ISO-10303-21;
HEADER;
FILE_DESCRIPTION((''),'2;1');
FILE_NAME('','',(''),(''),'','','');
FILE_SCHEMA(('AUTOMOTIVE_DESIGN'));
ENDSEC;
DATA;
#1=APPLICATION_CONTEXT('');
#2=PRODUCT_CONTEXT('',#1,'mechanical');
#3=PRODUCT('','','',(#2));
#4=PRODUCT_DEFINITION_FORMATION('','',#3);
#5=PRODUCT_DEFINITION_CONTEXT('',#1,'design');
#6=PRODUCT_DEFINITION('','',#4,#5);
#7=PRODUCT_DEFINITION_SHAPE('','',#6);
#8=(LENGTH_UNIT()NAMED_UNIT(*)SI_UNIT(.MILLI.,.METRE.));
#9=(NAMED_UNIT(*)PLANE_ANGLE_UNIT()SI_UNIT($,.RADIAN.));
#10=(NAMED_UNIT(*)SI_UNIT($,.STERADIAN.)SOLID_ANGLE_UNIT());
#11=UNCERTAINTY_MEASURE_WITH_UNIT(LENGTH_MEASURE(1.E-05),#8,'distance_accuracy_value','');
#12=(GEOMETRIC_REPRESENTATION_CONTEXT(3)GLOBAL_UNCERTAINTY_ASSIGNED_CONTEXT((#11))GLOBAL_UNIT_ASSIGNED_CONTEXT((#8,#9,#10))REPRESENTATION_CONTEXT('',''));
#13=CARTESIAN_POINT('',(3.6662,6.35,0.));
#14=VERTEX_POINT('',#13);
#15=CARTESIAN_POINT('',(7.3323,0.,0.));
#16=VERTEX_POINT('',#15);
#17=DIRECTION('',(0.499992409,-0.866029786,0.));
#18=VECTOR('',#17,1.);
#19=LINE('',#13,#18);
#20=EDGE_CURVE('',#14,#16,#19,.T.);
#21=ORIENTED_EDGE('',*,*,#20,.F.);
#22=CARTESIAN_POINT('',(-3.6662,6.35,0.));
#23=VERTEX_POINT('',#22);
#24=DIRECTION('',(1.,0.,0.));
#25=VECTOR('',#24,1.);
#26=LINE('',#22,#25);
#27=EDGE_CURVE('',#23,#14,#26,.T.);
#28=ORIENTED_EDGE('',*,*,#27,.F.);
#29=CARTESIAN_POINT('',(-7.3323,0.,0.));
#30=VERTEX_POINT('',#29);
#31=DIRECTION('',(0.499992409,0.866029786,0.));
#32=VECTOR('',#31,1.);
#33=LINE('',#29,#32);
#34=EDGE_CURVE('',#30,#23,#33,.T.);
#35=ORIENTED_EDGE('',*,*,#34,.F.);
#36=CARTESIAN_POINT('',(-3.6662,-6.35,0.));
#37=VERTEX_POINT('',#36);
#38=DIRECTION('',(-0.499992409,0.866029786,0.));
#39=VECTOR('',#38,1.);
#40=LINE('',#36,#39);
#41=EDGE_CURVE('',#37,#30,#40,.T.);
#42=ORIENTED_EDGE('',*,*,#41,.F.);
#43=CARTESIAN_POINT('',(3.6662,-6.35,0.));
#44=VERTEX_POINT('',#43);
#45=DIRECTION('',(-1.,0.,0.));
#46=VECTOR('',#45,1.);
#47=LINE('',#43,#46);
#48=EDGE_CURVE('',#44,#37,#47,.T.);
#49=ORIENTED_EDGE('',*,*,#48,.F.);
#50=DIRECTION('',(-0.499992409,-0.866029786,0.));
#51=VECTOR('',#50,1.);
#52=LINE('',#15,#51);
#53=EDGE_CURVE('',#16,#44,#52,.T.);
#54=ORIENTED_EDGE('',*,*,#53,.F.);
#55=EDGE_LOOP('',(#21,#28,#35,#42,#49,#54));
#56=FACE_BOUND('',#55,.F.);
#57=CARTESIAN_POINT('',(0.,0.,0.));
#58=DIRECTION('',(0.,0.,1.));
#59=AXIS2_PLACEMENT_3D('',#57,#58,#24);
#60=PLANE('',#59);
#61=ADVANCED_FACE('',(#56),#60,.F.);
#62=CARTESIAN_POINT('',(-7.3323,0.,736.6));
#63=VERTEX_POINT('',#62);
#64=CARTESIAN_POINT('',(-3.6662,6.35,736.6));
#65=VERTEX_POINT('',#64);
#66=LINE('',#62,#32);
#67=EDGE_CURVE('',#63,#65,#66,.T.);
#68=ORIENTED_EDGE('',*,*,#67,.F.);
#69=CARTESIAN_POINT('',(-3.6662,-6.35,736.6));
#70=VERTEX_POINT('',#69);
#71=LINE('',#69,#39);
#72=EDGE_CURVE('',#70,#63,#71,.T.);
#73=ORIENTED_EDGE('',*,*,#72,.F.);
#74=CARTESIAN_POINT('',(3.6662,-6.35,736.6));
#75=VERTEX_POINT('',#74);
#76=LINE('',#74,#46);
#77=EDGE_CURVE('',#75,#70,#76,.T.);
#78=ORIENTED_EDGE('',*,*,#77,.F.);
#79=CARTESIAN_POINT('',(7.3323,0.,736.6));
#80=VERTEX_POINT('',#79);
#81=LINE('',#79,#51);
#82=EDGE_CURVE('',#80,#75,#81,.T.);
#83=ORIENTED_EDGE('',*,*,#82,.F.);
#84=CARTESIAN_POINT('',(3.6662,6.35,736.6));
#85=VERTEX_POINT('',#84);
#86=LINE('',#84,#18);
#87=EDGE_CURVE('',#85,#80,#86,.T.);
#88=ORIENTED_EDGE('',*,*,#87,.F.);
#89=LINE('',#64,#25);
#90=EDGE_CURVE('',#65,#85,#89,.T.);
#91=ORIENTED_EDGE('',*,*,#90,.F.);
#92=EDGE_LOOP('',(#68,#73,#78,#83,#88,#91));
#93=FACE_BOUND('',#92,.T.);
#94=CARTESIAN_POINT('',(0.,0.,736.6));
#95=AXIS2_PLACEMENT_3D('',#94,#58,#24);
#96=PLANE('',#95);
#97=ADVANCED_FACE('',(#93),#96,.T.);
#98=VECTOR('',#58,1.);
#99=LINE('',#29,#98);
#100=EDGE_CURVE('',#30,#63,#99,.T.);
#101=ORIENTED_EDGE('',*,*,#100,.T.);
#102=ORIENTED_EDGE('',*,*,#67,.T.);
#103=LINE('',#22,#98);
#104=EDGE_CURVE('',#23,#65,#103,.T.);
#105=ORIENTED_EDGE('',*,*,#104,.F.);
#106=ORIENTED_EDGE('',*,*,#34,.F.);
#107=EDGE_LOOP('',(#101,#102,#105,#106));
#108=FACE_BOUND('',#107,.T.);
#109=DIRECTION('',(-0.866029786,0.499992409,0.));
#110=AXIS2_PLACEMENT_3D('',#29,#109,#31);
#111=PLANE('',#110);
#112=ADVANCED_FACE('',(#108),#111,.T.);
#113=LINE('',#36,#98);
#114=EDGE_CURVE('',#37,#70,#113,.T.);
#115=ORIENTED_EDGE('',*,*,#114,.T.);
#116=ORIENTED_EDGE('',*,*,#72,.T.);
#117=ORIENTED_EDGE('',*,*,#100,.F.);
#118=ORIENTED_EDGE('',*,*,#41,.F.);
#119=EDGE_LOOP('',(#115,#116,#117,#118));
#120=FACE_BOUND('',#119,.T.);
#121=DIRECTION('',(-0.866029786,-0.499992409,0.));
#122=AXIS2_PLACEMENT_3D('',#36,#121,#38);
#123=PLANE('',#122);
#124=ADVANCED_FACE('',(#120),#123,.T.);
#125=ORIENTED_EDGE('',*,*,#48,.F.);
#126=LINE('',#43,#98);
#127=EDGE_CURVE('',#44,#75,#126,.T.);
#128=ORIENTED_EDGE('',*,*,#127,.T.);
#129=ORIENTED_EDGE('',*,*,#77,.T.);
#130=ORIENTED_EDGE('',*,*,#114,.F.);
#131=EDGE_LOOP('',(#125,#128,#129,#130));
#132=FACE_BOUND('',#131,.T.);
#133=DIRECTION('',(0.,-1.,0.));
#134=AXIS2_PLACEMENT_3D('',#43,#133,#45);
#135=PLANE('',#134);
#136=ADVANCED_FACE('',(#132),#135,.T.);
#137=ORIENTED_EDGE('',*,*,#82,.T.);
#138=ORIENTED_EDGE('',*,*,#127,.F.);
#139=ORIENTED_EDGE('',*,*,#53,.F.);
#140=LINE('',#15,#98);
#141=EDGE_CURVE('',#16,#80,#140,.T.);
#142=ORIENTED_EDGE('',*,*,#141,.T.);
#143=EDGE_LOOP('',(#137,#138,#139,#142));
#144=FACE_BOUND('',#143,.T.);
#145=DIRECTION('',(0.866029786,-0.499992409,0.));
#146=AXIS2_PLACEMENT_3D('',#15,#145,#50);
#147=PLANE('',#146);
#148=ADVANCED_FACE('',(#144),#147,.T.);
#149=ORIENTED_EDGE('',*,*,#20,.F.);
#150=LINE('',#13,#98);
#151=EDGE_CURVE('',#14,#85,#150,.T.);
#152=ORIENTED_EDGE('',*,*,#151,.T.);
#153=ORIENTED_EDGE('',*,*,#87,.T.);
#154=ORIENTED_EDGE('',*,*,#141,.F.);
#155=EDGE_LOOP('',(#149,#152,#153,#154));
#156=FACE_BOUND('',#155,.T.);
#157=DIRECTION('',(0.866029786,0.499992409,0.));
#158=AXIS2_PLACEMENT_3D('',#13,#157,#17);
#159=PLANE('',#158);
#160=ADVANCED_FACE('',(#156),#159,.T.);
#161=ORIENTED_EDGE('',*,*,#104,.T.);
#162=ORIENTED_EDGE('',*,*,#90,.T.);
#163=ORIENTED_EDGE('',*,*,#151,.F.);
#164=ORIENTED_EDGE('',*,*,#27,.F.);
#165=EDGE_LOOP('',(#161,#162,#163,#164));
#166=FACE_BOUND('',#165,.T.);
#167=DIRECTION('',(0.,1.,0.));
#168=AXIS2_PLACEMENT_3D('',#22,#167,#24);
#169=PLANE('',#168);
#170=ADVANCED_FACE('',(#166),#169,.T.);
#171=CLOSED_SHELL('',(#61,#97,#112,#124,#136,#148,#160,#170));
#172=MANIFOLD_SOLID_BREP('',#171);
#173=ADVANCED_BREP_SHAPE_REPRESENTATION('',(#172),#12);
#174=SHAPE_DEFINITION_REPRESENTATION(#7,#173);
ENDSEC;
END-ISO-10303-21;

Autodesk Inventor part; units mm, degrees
ref_plane "YZ Plane" through (0, 0, 0) normal (1, 0, 0) x (0, 1, 0)
ref_plane "XZ Plane" through (0, 0, 0) normal (0, 1, 0) x (-1, 0, 0)
ref_plane "XY Plane" through (0, 0, 0) normal (0, 0, 1) x (1, 0, 0)
sketch "Sketch1" plane through (0, 0, 0) normal (0, 0, 1) x (1, 0, 0)
  line L0 (3.6662, 6.35) -> (7.3323, 0)
  line L1 (7.3323, 0) -> (3.6662, -6.35)
  line L2 (3.6662, -6.35) -> (-3.6662, -6.35)
  line L3 (-3.6662, -6.35) -> (-7.3323, 0)
  line L4 (-7.3323, 0) -> (-3.6662, 6.35)
  line L5 (-3.6662, 6.35) -> (3.6662, 6.35)
  point P0 (0, 0)
  point P1 (0, 0)
  dimension "d0" = 12.7
extrude "Extrusion1" add sketch "Sketch1" along normal blind 736.6
properties part number "hex rod 29 inch" material "Steel, Alloy"
